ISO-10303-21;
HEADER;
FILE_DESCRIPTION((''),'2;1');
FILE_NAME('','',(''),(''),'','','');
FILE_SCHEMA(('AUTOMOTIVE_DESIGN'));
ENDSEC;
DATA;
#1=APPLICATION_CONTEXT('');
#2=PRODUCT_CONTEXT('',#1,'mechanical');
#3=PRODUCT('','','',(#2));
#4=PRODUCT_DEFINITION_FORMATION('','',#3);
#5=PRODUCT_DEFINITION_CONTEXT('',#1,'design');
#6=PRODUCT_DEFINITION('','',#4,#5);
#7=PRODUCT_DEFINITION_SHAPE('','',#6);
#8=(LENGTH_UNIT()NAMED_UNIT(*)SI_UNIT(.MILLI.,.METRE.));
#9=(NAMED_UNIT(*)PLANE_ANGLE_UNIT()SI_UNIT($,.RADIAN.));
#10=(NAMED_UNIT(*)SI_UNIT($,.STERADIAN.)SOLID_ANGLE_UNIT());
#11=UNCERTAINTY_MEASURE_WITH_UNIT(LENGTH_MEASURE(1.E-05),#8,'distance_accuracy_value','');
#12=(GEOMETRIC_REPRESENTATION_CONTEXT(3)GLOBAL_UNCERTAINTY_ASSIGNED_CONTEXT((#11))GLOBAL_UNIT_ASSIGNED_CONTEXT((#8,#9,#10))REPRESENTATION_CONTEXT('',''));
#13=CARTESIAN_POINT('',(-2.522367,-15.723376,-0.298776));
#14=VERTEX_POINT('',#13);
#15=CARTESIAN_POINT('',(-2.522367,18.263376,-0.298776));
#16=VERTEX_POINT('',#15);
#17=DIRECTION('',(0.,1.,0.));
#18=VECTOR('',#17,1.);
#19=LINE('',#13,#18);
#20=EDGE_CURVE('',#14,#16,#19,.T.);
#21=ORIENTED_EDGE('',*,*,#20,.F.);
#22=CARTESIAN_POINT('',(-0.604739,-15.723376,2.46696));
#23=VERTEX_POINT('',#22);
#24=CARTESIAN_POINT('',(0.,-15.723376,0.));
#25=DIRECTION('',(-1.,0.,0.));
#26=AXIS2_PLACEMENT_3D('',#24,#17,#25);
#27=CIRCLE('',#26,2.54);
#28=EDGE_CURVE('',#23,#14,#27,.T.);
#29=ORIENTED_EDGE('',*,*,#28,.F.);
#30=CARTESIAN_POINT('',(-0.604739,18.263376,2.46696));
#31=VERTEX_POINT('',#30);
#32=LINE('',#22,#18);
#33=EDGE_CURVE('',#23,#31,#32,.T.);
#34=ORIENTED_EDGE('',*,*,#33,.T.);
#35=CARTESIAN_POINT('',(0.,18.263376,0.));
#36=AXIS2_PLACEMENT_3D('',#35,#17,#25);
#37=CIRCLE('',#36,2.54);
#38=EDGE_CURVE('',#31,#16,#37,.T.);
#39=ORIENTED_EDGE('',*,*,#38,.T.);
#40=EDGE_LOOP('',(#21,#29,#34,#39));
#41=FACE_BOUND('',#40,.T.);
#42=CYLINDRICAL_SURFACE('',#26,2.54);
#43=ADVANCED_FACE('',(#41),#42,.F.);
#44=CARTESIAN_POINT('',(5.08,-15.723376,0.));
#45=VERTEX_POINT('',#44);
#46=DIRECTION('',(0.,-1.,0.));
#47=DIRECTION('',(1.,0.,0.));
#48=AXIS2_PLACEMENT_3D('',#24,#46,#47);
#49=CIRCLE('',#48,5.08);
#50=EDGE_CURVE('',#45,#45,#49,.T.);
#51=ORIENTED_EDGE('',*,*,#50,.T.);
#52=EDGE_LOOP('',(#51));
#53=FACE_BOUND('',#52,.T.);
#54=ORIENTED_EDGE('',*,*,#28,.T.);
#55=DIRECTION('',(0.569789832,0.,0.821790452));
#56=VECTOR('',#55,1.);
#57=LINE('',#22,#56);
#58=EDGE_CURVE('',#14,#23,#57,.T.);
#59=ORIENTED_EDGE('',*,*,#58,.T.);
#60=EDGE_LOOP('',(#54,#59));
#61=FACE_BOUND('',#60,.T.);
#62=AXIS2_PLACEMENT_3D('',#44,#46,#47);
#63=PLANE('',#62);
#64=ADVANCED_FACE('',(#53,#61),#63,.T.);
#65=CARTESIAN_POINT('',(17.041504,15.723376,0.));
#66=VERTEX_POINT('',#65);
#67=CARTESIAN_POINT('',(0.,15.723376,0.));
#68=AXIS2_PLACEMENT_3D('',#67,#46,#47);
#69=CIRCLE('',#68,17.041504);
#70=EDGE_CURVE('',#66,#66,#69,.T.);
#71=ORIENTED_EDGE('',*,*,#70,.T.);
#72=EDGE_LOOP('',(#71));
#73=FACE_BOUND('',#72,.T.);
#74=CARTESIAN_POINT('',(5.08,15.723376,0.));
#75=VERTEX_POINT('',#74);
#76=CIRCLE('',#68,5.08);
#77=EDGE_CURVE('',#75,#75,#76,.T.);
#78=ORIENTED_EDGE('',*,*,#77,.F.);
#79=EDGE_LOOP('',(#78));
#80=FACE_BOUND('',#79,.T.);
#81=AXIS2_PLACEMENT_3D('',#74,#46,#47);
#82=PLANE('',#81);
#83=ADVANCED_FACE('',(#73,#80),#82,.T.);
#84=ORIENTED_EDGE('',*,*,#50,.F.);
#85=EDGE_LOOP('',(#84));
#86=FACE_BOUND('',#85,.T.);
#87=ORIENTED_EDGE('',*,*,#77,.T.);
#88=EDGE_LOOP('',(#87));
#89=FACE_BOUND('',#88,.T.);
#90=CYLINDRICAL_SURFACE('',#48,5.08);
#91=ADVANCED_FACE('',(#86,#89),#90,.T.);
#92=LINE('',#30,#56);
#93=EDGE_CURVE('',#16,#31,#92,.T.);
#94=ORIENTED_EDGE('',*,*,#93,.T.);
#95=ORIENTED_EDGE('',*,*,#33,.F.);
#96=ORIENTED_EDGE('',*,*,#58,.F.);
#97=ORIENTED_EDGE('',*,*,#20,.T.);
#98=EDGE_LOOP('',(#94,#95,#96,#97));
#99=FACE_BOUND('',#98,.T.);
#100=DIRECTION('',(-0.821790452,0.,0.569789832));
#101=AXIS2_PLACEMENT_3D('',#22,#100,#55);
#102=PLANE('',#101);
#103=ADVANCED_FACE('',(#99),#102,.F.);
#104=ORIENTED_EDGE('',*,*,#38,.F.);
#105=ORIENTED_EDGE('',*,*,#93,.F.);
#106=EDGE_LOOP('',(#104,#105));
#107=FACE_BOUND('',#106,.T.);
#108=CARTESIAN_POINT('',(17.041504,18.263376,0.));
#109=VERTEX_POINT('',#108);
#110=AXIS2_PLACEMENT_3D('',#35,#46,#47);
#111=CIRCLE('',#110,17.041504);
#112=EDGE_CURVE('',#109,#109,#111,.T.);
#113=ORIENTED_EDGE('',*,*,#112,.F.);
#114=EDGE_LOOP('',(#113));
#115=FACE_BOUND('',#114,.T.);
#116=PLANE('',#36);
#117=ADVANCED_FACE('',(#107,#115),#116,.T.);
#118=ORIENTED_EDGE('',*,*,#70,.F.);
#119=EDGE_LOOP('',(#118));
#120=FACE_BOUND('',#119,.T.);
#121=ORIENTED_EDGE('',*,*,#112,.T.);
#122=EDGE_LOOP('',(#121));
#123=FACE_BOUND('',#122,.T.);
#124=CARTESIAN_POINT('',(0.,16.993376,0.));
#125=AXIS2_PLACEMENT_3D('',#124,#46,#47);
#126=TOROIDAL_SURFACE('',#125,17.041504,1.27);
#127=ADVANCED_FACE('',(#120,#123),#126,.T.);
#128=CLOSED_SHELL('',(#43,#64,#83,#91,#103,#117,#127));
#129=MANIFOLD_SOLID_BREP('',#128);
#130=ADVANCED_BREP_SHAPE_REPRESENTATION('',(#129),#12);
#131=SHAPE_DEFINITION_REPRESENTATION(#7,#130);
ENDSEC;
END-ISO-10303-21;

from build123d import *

# Parameters (mm, degrees)
CUT_EXTRUDE1_DEPTH = 43.728464961


with BuildPart() as part:
    # Sketch1 → Revolve1 (revolve)
    with BuildSketch(Plane.XY):
        with BuildLine():
            Line((0, -15.723376421), (0, 18.263376421))
            Line((0, 18.263376421), (17.041503786, 18.263376421))
            ThreePointArc((17.041503786, 18.263376421), (18.311503786, 16.993376421), (17.041503786, 15.723376421))
            Line((17.041503786, 15.723376421), (5.08, 15.723376421))
            Line((5.08, 15.723376421), (5.08, -15.723376421))
            Line((5.08, -15.723376421), (0, -15.723376421))
        make_face()
    revolve(axis=Axis((0, -15.723376421, 0), (0, 1, 0)))

    # Sketch2 → Cut-Extrude1 (cut, through all)
    with BuildSketch(Plane(origin=(0, 18.263376421, 0), x_dir=(1, 0, 0), z_dir=(0, 1, 0))):
        with BuildLine():
            Line((-0.604738857, -2.466959853), (-2.522366538, 0.298775913))
            ThreePointArc((-2.522366538, 0.298775913), (2.087347748, 1.447266174), (-0.604738857, -2.466959853))
        make_face()
    extrude(amount=-CUT_EXTRUDE1_DEPTH, mode=Mode.SUBTRACT)


solid = part.part
